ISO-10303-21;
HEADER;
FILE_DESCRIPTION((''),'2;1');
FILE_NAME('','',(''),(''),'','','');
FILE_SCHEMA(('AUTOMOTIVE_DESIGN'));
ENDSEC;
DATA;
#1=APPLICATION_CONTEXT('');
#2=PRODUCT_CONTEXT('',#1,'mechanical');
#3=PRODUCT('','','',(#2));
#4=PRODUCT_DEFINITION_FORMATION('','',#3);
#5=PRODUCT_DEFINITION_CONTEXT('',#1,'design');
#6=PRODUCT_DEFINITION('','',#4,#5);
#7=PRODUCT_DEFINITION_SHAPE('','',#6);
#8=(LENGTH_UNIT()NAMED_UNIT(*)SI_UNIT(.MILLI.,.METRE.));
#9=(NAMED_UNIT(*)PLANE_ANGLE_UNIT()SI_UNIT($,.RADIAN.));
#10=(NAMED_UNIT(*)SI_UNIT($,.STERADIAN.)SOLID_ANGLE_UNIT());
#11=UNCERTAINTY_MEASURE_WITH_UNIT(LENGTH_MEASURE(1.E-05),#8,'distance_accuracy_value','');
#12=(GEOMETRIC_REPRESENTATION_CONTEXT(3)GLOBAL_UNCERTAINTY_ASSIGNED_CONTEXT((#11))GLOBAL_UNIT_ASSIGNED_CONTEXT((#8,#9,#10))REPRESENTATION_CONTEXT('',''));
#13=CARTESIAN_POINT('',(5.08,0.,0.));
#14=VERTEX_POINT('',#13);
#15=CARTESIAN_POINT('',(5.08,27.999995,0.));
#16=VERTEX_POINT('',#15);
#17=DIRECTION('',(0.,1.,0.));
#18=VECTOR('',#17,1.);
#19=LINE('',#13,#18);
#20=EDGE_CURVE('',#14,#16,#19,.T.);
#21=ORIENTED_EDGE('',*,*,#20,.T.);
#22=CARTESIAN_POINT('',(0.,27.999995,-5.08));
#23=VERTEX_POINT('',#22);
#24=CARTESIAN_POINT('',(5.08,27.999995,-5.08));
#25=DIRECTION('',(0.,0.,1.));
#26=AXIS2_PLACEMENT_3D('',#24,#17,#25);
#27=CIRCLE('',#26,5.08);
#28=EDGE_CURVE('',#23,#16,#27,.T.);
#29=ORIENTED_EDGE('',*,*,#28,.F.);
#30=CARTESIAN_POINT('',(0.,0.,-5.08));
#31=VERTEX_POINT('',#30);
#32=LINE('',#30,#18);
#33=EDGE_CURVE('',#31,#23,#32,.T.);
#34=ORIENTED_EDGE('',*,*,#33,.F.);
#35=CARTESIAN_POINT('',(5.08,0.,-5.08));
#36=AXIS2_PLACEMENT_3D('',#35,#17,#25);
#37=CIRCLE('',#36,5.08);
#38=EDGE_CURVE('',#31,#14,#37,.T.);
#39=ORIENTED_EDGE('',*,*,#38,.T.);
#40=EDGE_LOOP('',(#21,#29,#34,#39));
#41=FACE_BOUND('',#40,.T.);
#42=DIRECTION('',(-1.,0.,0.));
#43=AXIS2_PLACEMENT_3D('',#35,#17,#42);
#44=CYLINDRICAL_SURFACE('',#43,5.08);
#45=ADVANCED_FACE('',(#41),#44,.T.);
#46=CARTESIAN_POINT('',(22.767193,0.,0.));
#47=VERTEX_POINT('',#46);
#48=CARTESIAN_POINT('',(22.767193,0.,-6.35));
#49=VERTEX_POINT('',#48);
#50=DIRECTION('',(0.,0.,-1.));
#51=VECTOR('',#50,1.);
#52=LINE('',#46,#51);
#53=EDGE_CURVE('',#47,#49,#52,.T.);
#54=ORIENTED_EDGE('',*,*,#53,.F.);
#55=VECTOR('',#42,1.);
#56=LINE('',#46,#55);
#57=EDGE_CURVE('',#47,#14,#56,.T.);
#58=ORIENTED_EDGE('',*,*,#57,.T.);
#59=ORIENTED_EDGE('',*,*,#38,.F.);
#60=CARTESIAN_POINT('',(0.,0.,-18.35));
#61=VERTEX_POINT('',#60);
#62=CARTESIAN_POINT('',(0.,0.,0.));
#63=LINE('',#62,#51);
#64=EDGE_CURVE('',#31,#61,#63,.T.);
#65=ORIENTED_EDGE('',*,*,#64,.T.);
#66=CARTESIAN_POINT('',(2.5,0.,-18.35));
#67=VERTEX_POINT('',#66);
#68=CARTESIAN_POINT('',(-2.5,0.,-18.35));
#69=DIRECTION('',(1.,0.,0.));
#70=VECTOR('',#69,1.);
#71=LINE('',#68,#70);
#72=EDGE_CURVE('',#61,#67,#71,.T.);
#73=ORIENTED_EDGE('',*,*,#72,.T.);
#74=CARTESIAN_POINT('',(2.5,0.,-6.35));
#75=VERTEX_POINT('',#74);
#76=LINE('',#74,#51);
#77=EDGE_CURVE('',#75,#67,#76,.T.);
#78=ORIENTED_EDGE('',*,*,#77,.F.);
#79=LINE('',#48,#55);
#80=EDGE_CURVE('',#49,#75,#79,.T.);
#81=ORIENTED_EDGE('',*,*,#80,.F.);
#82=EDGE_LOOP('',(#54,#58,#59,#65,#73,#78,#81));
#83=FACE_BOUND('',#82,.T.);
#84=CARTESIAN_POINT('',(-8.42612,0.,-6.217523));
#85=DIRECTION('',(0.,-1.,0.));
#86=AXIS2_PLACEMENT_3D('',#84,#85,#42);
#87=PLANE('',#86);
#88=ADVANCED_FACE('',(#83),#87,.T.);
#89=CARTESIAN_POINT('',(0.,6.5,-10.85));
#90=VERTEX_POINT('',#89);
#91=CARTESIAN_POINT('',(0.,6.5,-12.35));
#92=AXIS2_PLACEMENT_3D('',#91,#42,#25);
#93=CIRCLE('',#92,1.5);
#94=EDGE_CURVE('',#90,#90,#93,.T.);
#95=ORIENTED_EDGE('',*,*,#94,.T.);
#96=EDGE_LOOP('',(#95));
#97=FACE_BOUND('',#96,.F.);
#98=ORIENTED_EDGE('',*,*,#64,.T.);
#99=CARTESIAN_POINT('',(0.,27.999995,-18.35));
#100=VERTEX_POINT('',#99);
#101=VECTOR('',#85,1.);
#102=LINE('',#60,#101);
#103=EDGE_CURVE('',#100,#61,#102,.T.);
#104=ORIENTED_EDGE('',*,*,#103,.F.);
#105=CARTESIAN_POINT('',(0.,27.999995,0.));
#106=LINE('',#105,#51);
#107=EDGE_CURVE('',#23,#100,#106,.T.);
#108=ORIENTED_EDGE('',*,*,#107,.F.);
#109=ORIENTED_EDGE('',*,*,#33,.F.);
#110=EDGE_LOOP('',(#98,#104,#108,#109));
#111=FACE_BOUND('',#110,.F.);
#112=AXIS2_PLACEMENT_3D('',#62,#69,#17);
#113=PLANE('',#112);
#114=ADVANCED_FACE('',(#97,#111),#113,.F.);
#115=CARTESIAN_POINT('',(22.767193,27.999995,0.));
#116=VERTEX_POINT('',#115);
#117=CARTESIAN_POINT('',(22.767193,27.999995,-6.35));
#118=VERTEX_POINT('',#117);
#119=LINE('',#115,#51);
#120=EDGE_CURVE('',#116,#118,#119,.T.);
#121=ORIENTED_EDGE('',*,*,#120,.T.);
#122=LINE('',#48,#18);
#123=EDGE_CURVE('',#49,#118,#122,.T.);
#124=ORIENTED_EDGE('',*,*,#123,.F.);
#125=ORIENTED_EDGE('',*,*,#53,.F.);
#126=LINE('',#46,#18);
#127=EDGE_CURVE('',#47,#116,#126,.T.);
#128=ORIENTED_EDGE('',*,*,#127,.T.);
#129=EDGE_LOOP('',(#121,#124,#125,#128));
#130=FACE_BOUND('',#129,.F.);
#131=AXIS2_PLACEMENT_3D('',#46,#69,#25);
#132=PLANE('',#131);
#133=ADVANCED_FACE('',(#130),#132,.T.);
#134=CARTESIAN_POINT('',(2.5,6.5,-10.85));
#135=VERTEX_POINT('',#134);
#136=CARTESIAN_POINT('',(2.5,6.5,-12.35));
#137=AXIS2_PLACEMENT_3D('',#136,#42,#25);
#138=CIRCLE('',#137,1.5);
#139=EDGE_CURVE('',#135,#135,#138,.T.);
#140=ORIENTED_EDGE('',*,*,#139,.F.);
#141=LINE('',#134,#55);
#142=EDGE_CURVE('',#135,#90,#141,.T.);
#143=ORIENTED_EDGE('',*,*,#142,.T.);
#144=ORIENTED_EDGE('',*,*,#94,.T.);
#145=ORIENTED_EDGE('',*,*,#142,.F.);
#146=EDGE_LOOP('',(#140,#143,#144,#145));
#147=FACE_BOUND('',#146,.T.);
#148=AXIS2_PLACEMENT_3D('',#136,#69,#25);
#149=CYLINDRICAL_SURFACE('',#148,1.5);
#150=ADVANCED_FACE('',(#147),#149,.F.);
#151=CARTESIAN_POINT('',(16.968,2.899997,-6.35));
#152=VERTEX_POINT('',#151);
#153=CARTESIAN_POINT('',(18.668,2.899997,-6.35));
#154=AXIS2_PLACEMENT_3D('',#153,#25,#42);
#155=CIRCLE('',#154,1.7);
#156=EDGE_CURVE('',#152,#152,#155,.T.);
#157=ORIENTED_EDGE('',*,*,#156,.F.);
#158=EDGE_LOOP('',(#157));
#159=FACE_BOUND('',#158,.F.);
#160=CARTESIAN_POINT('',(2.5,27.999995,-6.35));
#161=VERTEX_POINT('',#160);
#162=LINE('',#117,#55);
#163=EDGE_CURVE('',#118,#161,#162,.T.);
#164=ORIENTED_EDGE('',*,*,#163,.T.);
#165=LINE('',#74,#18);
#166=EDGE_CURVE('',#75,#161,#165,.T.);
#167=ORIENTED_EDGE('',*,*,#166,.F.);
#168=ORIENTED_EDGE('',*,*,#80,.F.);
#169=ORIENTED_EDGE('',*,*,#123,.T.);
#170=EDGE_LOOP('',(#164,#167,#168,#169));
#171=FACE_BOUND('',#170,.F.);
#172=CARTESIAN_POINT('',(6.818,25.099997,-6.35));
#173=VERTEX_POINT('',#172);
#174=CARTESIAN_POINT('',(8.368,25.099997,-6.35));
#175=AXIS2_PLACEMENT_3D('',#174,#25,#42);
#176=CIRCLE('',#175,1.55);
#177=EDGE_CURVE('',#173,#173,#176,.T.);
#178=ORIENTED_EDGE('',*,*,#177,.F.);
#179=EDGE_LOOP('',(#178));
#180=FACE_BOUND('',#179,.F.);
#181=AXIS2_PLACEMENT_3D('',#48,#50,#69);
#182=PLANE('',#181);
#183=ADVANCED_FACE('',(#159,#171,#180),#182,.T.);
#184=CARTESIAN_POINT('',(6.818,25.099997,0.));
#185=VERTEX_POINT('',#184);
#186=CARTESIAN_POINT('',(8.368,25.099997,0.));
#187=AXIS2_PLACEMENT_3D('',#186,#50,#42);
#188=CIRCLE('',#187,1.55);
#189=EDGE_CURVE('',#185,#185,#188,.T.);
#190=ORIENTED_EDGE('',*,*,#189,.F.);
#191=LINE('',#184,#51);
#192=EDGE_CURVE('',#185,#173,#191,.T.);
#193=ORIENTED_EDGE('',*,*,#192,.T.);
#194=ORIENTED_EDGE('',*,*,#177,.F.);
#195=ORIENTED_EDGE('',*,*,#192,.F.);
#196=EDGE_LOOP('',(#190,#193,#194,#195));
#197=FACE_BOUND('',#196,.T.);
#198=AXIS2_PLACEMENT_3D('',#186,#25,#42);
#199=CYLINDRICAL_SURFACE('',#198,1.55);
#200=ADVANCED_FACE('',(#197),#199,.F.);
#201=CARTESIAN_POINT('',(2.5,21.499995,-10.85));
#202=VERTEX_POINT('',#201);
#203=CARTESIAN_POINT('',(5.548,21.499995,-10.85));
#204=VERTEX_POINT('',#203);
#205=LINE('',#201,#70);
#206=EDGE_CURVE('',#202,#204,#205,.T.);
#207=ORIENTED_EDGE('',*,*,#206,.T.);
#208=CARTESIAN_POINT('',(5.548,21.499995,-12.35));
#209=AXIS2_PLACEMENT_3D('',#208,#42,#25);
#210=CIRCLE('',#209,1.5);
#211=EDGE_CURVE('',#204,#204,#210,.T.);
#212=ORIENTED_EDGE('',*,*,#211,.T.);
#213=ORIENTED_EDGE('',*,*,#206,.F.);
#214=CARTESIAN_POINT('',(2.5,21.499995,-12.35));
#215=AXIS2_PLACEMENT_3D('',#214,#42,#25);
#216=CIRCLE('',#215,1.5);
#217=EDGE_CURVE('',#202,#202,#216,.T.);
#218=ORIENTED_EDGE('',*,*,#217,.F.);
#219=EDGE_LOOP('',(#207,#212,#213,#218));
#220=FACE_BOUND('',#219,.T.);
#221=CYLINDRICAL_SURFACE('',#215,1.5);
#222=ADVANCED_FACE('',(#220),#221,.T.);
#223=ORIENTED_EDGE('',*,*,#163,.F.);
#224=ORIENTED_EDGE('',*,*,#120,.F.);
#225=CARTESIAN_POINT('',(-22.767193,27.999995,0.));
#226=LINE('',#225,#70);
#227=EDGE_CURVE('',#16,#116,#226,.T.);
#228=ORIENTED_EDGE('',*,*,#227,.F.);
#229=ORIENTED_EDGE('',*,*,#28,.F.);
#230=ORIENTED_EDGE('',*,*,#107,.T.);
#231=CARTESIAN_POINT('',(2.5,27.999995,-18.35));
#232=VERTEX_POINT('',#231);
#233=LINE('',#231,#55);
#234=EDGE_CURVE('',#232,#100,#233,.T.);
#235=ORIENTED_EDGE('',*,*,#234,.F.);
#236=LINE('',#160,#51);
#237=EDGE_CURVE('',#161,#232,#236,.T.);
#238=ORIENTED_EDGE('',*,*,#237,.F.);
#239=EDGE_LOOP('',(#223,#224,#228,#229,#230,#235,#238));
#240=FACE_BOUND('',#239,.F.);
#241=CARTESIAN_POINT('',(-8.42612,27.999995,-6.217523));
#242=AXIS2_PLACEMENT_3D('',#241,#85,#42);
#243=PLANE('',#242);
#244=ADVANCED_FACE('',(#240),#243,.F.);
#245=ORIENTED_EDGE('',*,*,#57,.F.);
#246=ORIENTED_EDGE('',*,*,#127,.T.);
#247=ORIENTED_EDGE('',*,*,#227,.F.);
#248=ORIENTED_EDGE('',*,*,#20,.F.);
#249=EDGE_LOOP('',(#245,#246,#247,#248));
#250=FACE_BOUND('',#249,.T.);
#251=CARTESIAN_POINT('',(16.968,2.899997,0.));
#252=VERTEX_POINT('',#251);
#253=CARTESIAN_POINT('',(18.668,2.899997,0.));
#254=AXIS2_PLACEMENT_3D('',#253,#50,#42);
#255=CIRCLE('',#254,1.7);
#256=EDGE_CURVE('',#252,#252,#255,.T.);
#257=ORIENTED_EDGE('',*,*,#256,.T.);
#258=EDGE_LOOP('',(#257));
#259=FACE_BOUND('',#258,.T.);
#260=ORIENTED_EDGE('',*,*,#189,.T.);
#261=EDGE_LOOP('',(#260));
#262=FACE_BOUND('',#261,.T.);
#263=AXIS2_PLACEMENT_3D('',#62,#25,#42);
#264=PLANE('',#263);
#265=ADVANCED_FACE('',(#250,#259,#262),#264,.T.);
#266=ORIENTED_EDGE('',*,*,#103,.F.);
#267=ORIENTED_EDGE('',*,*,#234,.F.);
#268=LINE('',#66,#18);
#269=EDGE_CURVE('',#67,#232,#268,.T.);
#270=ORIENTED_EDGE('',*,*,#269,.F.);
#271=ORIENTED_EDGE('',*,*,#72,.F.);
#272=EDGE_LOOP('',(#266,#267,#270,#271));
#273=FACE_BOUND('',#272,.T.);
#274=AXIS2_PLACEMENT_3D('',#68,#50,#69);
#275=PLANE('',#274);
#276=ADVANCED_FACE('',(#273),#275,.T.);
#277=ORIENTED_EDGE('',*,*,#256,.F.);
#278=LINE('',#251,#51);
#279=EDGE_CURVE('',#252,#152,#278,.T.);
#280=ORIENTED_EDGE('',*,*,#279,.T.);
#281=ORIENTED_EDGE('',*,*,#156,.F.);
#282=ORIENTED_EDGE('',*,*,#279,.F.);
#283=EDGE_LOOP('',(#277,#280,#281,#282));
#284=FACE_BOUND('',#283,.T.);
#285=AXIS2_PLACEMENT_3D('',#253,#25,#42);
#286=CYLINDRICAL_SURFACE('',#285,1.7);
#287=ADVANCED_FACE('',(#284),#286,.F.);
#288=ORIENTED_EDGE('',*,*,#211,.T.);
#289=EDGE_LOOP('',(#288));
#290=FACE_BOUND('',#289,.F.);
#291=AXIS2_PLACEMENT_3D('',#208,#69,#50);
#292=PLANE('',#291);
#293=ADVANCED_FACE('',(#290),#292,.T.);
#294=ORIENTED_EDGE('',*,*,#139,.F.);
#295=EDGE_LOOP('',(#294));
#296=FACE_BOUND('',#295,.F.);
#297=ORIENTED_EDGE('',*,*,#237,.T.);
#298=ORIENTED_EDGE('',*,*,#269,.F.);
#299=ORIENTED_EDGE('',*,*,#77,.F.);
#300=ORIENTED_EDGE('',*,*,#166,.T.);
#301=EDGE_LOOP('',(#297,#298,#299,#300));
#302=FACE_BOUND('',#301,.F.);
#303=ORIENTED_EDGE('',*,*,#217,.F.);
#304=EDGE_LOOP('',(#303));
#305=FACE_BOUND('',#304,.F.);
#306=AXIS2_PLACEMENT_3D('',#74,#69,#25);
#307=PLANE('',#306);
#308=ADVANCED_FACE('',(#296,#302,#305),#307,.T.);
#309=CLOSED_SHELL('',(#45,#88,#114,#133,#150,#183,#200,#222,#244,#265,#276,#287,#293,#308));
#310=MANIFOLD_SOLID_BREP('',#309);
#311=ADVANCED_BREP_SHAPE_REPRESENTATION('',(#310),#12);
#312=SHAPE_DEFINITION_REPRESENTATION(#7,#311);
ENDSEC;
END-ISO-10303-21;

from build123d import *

# Parameters (mm, degrees)
BOSS_EXTRUDE1_DEPTH = 27.9999948
SKETCH2_R           = 1.5
CUT_EXTRUDE1_DEPTH  = 3.5
SKETCH2_4_R         = 1.5
BOSS_EXTRUDE3_DEPTH = 3.048
SKETCH3_R           = 1.55
SKETCH3_R_2         = 1.7
CUT_EXTRUDE2_DEPTH  = 19.35
SKETCH4_W           = 22.7671934
SKETCH4_H           = 27.9999948
CUT_EXTRUDE3_DEPTH  = 19.35
FILLET1_R           = 5.08


with BuildPart() as part:
    # Sketch1 → Boss-Extrude1 (new body)
    with BuildSketch(Plane(origin=(0, 0, 0), x_dir=(1, 0, 0), z_dir=(0, 1, 0))):
        Polygon((0, 18.35), (0, 0), (-22.7671934, 0), (-22.7671934, 6.35), (-2.5, 6.35), (-2.5, 18.35), align=None)
    boss_extrude1 = extrude(amount=BOSS_EXTRUDE1_DEPTH)

    # Sketch2 → Cut-Extrude1 (cut, through all)
    with BuildSketch(Plane.ZY.offset(2.5)):
        with Locations((-12.35, 6.4999997)):
            Circle(SKETCH2_R)
    cut_extrude1 = extrude(amount=-CUT_EXTRUDE1_DEPTH, mode=Mode.SUBTRACT)

    # Sketch2_4 → Boss-Extrude3 (add)
    with BuildSketch(Plane.ZY.offset(2.5)):
        with Locations((-12.35, 21.4999951)):
            Circle(SKETCH2_4_R)
    boss_extrude3 = extrude(amount=BOSS_EXTRUDE3_DEPTH)

    # Sketch3 → Cut-Extrude2 (cut, through all)
    with BuildSketch(Plane.XY):
        with Locations((-8.368, 25.0999974)):
            Circle(SKETCH3_R)
        with Locations((-18.668, 2.8999974)):
            Circle(SKETCH3_R_2)
    cut_extrude2 = extrude(amount=-CUT_EXTRUDE2_DEPTH, mode=Mode.SUBTRACT)

    # Mirror1: Boss-Extrude1, Cut-Extrude1, Boss-Extrude3, Cut-Extrude2 across plane
    add(boss_extrude1.mirror(Plane(origin=(0, 27.9999948, -18.35), x_dir=(0, 0, 1), z_dir=(-1, 0, 0))))
    add(cut_extrude1.mirror(Plane(origin=(0, 27.9999948, -18.35), x_dir=(0, 0, 1), z_dir=(-1, 0, 0))), mode=Mode.SUBTRACT)
    add(boss_extrude3.mirror(Plane(origin=(0, 27.9999948, -18.35), x_dir=(0, 0, 1), z_dir=(-1, 0, 0))))
    add(cut_extrude2.mirror(Plane(origin=(0, 27.9999948, -18.35), x_dir=(0, 0, 1), z_dir=(-1, 0, 0))), mode=Mode.SUBTRACT)

    # Sketch4 → Cut-Extrude3 (cut, through all)
    with BuildSketch(Plane.XY):
        with Locations((-11.3835967, 13.9999974)):
            Rectangle(SKETCH4_W, SKETCH4_H)
    extrude(amount=-CUT_EXTRUDE3_DEPTH, mode=Mode.SUBTRACT)

    # Fillet1
    fillet1_edges = [part.edges().sort_by_distance(p)[0] for p in [
        (0, 13.9999974, 0),
    ]]
    fillet(fillet1_edges, radius=FILLET1_R)


solid = part.part
